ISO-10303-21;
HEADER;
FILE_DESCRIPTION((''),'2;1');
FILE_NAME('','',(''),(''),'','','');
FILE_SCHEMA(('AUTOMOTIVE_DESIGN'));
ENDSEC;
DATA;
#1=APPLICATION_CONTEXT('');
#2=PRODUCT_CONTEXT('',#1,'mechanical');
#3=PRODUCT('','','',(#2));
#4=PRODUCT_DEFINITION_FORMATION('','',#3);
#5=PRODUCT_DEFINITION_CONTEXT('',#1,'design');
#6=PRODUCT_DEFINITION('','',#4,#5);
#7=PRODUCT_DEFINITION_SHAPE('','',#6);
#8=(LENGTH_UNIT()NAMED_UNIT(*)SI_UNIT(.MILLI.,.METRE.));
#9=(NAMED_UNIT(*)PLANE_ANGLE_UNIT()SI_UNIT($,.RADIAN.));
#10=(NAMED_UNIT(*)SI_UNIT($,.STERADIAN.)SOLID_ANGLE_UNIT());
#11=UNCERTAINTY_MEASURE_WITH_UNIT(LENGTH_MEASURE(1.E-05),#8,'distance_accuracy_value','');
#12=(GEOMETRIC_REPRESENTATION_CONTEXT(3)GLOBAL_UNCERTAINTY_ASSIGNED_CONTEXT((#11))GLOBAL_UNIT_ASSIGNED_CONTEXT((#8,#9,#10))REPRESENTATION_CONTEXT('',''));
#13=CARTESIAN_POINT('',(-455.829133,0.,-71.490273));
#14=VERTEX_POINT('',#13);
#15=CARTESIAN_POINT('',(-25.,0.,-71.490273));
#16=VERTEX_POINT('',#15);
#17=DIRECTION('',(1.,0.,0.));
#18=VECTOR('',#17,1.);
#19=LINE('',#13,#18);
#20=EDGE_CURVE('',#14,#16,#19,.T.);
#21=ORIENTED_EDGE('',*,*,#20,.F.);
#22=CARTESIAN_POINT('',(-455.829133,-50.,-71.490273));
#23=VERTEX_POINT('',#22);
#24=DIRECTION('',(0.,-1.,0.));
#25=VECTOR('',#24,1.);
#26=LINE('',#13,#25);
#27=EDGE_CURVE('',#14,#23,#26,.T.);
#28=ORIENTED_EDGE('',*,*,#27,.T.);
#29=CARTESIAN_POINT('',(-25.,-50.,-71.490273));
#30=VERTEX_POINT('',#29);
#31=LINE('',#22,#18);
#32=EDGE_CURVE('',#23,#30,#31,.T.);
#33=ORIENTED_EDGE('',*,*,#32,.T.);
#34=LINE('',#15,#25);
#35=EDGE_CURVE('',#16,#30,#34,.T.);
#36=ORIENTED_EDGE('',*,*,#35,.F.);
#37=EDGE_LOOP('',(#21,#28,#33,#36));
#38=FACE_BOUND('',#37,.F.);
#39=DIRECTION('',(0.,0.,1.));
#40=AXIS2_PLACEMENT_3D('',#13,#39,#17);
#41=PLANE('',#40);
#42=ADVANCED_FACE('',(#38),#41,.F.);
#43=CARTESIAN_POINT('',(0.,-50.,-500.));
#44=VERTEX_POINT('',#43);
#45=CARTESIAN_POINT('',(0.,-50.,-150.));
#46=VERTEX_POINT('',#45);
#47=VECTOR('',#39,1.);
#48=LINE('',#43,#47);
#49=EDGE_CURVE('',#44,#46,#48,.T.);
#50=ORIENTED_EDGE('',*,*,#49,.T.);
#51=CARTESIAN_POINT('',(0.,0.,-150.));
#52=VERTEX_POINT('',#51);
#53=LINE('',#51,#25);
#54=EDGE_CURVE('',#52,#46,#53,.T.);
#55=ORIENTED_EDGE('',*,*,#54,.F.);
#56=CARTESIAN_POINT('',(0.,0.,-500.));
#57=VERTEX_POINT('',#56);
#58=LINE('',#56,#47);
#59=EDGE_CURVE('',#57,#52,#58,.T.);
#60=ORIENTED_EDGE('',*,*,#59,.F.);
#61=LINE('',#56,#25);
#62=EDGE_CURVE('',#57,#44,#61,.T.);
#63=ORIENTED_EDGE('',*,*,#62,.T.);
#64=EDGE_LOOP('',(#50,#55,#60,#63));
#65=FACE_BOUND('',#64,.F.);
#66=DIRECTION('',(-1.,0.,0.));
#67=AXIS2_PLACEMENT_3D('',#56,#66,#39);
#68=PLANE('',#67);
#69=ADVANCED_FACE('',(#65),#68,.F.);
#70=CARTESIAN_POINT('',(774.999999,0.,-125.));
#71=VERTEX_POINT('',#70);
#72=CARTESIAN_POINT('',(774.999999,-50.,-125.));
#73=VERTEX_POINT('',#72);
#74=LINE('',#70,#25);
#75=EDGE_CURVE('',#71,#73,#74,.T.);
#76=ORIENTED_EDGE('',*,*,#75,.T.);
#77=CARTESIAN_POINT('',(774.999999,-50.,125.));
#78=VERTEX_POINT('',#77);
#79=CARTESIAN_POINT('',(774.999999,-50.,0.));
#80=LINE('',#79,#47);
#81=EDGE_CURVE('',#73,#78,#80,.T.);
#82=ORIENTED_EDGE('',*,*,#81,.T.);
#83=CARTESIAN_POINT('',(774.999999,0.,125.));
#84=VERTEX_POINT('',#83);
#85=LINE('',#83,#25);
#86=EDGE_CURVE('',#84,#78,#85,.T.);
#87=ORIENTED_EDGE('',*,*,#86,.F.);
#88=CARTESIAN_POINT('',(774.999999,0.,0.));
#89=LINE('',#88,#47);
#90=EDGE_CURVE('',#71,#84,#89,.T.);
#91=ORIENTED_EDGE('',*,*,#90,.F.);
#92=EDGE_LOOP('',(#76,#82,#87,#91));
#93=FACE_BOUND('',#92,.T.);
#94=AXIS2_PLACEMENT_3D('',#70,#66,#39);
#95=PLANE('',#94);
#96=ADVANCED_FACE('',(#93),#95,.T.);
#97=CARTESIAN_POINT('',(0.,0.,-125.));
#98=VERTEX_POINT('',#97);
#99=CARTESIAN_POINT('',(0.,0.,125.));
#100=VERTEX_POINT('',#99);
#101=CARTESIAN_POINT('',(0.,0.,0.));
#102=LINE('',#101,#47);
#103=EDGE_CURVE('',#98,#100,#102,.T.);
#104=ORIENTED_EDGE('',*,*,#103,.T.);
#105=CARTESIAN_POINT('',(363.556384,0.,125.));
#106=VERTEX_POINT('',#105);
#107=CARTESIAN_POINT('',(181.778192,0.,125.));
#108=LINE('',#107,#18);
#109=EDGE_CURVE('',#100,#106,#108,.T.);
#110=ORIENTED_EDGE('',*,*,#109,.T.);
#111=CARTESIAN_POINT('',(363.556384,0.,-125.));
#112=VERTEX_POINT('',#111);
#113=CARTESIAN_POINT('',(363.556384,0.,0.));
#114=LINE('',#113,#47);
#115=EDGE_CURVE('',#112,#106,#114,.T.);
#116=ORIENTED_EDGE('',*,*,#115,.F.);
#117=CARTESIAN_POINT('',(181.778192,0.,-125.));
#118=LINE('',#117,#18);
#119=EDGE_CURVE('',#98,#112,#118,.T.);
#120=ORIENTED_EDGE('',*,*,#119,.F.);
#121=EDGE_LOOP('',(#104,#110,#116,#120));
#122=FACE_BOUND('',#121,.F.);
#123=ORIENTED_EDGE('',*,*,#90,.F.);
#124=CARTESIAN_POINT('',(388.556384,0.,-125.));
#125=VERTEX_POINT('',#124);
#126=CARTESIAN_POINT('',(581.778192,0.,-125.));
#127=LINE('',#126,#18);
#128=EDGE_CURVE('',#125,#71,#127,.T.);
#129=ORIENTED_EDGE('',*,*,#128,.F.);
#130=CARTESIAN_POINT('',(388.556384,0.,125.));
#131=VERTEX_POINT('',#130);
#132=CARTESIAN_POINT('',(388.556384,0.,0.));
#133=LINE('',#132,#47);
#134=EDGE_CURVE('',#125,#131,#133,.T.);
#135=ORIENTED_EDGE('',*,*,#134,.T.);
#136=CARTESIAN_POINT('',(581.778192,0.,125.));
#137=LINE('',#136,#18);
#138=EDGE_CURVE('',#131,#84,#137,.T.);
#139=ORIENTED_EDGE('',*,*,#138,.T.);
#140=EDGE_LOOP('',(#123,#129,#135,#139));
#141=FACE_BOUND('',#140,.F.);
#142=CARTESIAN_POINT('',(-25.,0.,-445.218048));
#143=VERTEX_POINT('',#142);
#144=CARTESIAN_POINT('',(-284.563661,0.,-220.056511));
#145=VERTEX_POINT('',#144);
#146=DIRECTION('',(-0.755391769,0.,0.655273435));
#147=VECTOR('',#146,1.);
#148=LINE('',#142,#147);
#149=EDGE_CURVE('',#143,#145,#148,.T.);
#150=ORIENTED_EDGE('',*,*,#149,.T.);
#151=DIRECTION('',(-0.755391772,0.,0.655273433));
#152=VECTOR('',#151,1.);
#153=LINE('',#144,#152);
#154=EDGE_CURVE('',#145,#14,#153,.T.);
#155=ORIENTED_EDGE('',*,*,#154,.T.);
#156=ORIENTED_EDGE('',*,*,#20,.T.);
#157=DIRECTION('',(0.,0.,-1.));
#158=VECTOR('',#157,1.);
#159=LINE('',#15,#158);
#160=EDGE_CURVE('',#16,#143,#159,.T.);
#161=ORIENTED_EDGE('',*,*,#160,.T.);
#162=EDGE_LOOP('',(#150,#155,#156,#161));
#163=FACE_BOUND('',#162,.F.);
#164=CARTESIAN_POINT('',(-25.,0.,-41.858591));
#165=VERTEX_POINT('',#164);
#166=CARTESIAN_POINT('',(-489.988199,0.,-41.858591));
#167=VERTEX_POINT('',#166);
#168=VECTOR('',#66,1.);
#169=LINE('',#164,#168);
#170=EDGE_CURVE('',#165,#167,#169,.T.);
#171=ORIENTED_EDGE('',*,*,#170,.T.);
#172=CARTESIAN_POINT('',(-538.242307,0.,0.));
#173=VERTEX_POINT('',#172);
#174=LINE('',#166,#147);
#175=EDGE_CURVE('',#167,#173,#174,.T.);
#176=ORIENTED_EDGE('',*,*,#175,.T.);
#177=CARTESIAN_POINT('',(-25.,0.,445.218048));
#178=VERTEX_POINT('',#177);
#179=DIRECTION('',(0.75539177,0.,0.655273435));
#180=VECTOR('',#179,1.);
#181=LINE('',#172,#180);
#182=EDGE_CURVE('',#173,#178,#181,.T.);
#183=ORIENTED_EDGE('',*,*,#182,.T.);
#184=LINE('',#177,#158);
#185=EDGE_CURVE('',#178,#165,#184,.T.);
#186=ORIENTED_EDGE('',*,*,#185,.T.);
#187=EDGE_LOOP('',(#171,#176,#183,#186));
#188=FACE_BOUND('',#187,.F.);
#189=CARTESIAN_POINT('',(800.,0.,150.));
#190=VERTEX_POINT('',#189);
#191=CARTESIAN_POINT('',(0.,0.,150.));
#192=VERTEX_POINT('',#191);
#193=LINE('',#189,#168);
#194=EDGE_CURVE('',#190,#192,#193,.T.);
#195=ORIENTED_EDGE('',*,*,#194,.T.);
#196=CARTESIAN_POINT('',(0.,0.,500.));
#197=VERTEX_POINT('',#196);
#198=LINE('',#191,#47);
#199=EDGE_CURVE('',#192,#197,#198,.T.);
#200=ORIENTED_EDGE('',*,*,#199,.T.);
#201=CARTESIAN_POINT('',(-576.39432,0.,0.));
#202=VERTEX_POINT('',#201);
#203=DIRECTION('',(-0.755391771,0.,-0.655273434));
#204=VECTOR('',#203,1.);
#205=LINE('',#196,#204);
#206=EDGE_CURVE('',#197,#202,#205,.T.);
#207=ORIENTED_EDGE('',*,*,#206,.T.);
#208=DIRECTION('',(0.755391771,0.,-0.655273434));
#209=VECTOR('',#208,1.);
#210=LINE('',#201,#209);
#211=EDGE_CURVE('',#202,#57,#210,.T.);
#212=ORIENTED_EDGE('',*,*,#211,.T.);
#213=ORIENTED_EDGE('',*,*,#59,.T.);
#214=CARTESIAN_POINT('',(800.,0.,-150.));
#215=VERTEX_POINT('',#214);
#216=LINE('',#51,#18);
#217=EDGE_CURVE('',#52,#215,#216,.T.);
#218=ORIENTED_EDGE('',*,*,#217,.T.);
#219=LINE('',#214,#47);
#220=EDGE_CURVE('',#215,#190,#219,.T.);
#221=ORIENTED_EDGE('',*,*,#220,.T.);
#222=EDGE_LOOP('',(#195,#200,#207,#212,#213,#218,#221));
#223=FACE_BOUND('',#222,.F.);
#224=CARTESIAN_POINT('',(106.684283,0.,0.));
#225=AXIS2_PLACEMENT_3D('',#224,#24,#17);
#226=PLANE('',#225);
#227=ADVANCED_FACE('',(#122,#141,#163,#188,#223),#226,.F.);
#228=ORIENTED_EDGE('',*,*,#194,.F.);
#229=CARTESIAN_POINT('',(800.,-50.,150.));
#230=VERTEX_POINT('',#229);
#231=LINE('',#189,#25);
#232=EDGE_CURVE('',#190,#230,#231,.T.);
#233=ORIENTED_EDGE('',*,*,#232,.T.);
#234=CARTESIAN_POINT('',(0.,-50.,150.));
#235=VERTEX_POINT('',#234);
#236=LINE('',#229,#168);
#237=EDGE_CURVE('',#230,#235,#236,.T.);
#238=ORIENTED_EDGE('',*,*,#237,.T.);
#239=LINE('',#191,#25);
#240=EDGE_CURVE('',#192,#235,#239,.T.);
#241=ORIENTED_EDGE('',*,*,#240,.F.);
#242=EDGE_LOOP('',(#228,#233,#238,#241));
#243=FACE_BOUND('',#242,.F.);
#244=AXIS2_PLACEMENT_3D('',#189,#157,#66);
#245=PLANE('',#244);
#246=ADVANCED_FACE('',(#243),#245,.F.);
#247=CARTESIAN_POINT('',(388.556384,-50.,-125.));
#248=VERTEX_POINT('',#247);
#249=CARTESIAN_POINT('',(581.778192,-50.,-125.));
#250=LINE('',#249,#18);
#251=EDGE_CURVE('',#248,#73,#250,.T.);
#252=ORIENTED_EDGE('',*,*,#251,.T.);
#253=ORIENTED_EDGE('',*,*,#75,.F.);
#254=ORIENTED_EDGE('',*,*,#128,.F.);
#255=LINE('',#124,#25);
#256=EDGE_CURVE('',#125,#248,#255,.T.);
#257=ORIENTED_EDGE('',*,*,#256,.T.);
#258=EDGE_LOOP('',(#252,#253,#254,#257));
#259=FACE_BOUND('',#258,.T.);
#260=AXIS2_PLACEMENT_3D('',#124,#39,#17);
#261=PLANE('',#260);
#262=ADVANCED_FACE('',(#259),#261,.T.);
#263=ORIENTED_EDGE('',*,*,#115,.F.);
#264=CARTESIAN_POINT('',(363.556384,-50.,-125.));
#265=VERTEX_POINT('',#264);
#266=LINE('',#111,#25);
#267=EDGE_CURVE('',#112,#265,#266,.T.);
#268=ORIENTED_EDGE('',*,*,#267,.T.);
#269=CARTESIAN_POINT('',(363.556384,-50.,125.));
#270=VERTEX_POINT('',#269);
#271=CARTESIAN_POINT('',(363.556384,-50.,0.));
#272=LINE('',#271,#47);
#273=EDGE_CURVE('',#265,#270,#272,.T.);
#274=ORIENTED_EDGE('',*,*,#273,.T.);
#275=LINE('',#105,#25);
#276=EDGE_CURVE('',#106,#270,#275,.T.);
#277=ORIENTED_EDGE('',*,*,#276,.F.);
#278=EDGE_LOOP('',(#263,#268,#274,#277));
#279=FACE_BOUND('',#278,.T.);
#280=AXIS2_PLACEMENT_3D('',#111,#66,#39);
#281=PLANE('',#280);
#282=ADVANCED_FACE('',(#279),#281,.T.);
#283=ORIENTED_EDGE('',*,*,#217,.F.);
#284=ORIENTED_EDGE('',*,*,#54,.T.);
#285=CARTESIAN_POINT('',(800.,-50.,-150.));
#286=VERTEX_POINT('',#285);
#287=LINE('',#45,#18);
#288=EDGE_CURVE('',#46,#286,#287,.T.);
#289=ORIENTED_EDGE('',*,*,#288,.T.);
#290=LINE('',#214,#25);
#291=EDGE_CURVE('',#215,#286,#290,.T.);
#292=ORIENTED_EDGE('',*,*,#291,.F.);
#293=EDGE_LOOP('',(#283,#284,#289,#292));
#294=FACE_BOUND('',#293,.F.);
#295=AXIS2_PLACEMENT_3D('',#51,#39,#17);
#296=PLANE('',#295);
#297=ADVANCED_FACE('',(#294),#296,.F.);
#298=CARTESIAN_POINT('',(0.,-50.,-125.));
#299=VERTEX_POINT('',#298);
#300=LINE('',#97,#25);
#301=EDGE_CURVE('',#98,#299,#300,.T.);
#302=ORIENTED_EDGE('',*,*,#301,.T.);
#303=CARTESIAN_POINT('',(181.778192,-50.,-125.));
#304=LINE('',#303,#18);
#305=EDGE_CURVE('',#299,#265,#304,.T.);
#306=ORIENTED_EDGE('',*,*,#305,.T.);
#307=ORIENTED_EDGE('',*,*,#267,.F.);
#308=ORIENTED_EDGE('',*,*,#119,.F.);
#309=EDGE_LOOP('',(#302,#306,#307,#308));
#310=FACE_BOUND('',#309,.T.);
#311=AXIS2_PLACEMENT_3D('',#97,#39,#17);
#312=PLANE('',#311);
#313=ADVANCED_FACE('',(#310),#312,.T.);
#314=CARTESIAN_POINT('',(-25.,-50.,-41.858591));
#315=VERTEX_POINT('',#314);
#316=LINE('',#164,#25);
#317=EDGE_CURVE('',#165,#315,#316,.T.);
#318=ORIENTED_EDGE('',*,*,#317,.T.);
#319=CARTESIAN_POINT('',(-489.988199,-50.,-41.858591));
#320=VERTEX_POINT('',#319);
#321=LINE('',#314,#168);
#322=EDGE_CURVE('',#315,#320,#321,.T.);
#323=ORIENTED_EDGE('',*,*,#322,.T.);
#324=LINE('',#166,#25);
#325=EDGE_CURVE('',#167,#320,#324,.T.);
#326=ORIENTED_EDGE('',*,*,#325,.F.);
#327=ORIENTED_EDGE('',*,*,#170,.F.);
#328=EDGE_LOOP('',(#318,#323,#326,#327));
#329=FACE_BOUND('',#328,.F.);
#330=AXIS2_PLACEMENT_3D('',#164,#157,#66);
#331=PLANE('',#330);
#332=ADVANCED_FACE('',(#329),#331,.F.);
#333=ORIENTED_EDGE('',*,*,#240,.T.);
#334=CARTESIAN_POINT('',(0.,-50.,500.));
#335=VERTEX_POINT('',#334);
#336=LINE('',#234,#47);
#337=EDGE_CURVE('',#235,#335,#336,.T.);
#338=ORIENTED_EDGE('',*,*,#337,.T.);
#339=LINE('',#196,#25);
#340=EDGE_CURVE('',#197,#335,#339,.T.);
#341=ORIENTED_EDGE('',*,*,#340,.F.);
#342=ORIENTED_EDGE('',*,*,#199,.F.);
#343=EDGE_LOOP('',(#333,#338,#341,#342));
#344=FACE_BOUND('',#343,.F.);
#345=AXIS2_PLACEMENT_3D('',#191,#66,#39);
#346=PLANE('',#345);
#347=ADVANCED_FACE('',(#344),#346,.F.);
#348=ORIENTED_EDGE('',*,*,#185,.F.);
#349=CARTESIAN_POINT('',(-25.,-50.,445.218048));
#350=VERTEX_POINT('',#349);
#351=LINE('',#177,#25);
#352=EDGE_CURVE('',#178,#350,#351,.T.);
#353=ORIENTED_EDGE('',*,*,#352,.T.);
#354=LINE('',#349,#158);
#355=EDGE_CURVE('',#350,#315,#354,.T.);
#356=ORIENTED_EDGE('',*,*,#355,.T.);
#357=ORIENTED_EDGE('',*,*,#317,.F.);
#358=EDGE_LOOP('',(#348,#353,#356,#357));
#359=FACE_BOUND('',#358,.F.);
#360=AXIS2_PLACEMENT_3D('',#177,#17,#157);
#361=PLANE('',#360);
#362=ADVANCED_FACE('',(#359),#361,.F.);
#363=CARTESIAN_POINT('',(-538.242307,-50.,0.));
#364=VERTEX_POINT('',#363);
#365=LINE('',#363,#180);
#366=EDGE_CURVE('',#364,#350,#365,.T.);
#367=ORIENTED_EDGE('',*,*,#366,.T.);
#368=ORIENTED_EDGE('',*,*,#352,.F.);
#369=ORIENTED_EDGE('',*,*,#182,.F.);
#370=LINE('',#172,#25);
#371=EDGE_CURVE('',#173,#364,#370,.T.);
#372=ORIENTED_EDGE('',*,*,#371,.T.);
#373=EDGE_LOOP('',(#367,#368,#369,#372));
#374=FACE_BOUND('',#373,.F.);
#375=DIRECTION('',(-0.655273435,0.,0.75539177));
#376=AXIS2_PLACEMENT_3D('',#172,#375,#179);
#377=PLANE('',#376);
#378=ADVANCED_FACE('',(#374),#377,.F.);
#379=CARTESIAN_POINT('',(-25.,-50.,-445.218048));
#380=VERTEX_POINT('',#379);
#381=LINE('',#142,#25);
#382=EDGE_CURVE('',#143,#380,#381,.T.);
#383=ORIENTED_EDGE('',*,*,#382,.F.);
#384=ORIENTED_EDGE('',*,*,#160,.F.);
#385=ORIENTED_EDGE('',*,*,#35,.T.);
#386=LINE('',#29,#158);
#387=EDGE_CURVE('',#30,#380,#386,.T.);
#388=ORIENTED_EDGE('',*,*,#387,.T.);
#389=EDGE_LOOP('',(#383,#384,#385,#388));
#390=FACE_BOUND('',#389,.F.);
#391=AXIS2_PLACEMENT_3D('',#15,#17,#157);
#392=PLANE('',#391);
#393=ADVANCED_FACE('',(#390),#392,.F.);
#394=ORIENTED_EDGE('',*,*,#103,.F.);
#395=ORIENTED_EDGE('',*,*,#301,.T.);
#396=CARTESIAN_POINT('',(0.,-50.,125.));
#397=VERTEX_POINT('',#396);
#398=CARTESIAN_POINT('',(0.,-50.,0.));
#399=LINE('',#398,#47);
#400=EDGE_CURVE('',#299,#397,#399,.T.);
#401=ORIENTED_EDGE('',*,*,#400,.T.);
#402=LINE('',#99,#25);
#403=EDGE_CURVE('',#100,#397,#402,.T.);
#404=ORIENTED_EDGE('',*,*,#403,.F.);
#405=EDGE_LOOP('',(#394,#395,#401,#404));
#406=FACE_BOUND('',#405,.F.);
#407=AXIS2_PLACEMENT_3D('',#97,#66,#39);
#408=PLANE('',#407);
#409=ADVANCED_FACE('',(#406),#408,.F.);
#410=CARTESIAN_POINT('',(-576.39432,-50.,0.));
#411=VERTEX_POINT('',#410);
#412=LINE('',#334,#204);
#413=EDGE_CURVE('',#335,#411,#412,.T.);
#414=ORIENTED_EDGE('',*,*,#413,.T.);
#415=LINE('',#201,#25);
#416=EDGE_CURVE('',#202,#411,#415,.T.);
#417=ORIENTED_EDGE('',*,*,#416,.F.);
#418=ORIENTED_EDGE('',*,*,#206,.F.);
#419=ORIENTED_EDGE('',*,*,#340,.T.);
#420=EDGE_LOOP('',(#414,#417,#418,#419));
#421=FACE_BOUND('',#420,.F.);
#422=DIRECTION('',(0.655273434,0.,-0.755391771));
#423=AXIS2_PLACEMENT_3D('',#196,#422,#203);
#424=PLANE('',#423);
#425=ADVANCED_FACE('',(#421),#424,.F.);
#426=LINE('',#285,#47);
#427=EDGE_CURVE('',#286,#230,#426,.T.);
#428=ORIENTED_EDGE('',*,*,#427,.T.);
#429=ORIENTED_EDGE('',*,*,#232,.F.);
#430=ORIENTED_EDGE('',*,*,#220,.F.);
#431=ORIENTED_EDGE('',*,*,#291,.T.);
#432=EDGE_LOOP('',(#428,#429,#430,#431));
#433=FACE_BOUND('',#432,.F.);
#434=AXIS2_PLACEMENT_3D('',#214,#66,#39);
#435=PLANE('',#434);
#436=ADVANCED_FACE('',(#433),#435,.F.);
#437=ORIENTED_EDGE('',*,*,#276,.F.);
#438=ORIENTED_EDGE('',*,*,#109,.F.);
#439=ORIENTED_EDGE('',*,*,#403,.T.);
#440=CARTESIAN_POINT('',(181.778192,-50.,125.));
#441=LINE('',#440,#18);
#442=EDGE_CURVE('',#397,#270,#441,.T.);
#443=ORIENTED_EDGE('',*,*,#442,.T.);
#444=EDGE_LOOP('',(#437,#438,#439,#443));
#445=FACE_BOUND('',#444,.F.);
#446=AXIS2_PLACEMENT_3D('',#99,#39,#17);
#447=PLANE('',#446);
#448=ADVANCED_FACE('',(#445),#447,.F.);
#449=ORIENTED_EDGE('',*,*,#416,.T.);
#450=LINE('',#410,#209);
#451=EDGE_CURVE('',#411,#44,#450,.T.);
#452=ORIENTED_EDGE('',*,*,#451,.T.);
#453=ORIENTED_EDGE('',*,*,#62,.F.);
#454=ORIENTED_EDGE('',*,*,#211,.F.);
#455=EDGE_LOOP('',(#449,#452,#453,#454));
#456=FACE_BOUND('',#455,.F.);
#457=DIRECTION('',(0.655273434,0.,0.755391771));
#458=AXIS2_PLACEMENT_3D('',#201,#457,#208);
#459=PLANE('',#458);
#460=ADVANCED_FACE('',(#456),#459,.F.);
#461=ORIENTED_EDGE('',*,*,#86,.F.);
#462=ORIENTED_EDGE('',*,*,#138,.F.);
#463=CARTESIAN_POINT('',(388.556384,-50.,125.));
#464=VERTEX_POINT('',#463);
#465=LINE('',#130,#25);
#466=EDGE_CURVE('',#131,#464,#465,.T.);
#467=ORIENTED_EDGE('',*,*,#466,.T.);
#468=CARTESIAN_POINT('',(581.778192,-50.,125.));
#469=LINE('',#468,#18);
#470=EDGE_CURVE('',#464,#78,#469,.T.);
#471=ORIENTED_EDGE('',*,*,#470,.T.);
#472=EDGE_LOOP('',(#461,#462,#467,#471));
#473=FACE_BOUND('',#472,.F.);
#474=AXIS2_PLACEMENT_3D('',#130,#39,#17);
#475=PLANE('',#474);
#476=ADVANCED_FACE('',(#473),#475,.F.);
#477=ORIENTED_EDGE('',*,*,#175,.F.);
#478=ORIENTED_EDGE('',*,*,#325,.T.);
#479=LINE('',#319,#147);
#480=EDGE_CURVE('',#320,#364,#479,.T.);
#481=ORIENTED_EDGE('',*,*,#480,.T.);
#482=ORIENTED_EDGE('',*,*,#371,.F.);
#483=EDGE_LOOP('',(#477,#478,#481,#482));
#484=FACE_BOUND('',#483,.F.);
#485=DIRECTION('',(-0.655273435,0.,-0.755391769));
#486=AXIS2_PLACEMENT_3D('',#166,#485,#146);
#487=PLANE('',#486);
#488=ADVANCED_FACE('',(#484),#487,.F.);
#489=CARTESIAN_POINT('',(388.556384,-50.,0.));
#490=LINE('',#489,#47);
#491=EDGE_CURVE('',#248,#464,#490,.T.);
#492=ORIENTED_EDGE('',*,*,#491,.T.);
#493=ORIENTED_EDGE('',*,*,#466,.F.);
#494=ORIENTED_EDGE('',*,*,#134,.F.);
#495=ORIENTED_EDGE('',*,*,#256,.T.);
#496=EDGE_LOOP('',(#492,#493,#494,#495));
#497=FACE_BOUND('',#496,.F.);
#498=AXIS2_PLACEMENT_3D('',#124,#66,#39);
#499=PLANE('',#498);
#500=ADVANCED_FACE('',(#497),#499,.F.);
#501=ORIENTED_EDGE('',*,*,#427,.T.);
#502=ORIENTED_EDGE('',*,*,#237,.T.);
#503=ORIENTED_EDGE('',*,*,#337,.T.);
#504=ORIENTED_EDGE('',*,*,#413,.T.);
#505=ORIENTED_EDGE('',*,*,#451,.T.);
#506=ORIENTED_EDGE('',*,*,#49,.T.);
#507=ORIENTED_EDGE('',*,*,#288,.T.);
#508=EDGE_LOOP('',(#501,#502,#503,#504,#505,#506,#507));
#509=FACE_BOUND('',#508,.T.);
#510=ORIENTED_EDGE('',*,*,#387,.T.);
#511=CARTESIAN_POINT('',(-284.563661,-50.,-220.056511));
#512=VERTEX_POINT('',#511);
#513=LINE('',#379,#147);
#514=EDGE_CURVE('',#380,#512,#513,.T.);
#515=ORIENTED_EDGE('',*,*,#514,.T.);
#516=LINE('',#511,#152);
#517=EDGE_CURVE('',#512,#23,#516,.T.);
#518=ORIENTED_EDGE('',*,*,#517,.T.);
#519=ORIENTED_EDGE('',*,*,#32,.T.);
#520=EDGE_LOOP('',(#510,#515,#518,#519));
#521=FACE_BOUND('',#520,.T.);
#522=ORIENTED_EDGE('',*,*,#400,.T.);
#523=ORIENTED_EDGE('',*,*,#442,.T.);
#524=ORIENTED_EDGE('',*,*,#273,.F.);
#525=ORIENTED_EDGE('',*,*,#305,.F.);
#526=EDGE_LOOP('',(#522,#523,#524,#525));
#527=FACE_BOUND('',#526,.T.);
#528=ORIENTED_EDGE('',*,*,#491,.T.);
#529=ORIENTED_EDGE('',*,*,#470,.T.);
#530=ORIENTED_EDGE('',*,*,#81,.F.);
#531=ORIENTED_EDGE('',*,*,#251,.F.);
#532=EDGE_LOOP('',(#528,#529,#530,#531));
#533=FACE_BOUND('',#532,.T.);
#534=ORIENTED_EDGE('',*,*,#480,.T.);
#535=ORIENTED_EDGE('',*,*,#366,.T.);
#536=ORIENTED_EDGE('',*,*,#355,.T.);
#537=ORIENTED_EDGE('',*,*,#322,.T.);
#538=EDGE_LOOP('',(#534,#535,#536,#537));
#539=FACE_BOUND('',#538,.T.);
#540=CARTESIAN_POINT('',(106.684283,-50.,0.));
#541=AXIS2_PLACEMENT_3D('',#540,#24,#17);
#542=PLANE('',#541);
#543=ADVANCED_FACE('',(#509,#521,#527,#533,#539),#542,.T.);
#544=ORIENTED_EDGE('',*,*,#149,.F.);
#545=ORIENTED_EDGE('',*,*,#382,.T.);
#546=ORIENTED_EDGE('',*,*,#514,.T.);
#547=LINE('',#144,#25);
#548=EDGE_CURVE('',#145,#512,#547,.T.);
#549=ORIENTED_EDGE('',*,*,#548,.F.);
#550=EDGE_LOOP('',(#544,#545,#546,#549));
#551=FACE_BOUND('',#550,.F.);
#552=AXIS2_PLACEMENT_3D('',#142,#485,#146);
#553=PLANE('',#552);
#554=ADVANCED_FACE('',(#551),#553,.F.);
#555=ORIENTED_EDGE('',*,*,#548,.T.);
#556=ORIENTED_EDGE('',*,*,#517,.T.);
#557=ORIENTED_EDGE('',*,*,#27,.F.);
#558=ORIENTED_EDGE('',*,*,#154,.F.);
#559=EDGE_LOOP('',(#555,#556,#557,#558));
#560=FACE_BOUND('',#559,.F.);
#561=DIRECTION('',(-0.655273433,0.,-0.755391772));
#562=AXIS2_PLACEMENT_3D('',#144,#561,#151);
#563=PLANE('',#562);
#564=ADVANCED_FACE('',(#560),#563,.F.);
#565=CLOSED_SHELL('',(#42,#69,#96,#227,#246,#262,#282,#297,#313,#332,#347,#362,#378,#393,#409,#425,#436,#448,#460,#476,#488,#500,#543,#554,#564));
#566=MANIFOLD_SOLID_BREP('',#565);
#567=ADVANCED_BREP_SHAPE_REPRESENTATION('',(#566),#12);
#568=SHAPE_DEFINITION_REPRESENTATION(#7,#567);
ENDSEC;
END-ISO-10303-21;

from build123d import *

# Parameters (mm, degrees)
F0_W     = 363.556385
F0_H     = 250
F0_W_2   = 386.443615
F1_DEPTH = 50


with BuildPart() as f1:
    # F0 (on Front) → F1 (new body)
    with BuildSketch(Plane.XZ):
        Polygon((0, 150), (0, 500), (-576.39432, 0), (0, -500), (0, -150), (800, -150), (800, 150), align=None)
        Polygon((-455.829133, -71.490273), (-25, -71.490273), (-25, -420.501658), (-25, -445.218048), (-284.563661, -220.056511), align=None, mode=Mode.SUBTRACT)
        Polygon((-25, 445.218048), (-25, -41.858591), (-455.829133, -41.858591), (-489.988199, -41.858591), (-538.242307, 0), align=None, mode=Mode.SUBTRACT)
        with Locations((181.778192, 0)):
            Rectangle(F0_W, F0_H, mode=Mode.SUBTRACT)
        with Locations((581.778192, 0)):
            Rectangle(F0_W_2, F0_H, mode=Mode.SUBTRACT)
    extrude(amount=F1_DEPTH)


solid = f1.part
